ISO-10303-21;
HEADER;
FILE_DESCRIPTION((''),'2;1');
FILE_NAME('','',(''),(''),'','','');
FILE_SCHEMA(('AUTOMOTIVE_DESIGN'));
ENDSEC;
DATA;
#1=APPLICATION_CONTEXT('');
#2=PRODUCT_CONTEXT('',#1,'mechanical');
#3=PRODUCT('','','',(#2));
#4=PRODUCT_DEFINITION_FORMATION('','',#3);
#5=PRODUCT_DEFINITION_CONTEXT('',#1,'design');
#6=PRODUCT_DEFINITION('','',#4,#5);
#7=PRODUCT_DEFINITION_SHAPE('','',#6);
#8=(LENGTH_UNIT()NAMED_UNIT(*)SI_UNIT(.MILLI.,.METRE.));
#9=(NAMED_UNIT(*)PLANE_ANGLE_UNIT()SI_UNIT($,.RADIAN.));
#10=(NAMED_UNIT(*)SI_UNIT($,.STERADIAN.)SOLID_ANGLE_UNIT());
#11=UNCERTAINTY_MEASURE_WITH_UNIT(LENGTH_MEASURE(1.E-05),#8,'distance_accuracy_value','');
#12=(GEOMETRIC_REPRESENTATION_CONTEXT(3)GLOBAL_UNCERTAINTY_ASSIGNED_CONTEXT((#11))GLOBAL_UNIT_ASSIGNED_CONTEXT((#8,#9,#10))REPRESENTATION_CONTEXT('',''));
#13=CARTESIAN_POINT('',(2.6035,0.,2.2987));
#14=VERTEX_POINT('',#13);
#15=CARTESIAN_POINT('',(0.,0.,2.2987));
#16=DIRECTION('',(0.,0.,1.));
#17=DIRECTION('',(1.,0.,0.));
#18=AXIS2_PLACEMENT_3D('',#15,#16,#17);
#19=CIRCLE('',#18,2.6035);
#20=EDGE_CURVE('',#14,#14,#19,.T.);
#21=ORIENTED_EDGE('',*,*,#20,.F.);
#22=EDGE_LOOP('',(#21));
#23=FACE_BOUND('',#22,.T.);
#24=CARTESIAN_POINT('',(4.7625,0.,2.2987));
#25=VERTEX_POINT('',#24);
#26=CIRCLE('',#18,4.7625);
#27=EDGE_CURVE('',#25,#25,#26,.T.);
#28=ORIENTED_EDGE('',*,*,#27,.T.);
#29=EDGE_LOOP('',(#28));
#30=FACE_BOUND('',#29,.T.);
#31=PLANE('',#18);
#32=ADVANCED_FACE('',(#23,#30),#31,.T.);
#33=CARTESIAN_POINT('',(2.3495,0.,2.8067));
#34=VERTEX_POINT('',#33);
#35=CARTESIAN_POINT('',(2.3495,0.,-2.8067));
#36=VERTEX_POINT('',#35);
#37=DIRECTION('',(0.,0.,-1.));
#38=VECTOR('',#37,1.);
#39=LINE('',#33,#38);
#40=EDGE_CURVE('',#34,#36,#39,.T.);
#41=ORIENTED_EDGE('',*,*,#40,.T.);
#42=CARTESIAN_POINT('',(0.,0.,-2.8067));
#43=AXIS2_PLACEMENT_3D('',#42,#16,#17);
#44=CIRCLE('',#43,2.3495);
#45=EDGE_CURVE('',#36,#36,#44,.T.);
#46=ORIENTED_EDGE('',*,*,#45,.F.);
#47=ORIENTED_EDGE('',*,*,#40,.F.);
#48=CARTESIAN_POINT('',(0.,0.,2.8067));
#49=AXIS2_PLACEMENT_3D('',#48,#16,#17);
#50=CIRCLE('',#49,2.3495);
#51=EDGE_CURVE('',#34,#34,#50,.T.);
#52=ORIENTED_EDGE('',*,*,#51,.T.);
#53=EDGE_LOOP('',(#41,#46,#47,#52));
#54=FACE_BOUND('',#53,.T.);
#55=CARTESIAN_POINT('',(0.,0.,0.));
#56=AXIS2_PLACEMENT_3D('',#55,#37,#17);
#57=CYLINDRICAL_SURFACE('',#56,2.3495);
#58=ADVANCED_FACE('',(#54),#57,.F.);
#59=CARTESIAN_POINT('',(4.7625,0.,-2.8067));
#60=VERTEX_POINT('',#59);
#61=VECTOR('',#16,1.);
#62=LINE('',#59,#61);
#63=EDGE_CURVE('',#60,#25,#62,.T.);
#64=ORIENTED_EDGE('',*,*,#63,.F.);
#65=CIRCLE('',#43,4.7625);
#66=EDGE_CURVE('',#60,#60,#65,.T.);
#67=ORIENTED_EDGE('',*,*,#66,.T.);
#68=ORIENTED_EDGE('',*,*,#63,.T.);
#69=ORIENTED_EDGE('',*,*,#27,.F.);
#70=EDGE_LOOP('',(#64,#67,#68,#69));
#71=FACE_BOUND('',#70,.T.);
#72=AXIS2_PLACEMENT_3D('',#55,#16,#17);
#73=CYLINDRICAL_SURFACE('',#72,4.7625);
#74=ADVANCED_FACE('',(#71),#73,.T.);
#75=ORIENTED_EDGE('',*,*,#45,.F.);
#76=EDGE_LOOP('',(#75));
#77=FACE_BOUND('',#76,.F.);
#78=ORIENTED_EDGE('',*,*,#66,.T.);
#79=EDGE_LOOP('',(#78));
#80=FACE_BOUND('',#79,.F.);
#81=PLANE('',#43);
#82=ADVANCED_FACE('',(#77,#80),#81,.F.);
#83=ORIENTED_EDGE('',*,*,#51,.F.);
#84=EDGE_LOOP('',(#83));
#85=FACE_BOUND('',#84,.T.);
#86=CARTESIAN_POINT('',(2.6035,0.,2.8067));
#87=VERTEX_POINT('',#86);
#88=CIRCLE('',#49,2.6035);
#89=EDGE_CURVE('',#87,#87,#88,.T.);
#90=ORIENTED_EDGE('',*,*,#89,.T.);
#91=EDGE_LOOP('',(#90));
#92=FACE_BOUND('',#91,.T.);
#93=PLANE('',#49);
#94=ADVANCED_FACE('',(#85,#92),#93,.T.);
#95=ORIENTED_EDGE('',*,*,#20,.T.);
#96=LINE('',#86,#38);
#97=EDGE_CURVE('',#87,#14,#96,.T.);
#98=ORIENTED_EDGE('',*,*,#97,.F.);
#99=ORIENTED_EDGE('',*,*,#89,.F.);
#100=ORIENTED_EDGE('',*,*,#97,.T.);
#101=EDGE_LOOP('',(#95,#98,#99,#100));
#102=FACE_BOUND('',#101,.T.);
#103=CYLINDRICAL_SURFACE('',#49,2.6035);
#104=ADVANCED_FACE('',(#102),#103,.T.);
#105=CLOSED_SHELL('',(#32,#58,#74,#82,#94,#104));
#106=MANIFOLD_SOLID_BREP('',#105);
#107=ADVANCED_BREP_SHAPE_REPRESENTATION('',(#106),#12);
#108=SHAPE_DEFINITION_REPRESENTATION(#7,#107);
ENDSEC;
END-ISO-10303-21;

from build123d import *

# Parameters (mm, degrees)
F0_R     = 4.7625
F0_R_2   = 2.3495
F1_DEPTH = 2.8067
F2_R     = 4.7625
F2_R_2   = 2.6035
F3_DEPTH = 0.508


with BuildPart() as f1:
    # F0 (on Top) → F1 (new body, symmetric)
    with BuildSketch(Plane.XY):
        Circle(F0_R)
        Circle(F0_R_2, mode=Mode.SUBTRACT)
    extrude(amount=F1_DEPTH, both=True)

    # F2 (on face) → F3 (cut)
    with BuildSketch(Plane.XY.offset(2.8067)):
        Circle(F2_R)
        Circle(F2_R_2, mode=Mode.SUBTRACT)
    extrude(amount=-F3_DEPTH, mode=Mode.SUBTRACT)


solid = f1.part
